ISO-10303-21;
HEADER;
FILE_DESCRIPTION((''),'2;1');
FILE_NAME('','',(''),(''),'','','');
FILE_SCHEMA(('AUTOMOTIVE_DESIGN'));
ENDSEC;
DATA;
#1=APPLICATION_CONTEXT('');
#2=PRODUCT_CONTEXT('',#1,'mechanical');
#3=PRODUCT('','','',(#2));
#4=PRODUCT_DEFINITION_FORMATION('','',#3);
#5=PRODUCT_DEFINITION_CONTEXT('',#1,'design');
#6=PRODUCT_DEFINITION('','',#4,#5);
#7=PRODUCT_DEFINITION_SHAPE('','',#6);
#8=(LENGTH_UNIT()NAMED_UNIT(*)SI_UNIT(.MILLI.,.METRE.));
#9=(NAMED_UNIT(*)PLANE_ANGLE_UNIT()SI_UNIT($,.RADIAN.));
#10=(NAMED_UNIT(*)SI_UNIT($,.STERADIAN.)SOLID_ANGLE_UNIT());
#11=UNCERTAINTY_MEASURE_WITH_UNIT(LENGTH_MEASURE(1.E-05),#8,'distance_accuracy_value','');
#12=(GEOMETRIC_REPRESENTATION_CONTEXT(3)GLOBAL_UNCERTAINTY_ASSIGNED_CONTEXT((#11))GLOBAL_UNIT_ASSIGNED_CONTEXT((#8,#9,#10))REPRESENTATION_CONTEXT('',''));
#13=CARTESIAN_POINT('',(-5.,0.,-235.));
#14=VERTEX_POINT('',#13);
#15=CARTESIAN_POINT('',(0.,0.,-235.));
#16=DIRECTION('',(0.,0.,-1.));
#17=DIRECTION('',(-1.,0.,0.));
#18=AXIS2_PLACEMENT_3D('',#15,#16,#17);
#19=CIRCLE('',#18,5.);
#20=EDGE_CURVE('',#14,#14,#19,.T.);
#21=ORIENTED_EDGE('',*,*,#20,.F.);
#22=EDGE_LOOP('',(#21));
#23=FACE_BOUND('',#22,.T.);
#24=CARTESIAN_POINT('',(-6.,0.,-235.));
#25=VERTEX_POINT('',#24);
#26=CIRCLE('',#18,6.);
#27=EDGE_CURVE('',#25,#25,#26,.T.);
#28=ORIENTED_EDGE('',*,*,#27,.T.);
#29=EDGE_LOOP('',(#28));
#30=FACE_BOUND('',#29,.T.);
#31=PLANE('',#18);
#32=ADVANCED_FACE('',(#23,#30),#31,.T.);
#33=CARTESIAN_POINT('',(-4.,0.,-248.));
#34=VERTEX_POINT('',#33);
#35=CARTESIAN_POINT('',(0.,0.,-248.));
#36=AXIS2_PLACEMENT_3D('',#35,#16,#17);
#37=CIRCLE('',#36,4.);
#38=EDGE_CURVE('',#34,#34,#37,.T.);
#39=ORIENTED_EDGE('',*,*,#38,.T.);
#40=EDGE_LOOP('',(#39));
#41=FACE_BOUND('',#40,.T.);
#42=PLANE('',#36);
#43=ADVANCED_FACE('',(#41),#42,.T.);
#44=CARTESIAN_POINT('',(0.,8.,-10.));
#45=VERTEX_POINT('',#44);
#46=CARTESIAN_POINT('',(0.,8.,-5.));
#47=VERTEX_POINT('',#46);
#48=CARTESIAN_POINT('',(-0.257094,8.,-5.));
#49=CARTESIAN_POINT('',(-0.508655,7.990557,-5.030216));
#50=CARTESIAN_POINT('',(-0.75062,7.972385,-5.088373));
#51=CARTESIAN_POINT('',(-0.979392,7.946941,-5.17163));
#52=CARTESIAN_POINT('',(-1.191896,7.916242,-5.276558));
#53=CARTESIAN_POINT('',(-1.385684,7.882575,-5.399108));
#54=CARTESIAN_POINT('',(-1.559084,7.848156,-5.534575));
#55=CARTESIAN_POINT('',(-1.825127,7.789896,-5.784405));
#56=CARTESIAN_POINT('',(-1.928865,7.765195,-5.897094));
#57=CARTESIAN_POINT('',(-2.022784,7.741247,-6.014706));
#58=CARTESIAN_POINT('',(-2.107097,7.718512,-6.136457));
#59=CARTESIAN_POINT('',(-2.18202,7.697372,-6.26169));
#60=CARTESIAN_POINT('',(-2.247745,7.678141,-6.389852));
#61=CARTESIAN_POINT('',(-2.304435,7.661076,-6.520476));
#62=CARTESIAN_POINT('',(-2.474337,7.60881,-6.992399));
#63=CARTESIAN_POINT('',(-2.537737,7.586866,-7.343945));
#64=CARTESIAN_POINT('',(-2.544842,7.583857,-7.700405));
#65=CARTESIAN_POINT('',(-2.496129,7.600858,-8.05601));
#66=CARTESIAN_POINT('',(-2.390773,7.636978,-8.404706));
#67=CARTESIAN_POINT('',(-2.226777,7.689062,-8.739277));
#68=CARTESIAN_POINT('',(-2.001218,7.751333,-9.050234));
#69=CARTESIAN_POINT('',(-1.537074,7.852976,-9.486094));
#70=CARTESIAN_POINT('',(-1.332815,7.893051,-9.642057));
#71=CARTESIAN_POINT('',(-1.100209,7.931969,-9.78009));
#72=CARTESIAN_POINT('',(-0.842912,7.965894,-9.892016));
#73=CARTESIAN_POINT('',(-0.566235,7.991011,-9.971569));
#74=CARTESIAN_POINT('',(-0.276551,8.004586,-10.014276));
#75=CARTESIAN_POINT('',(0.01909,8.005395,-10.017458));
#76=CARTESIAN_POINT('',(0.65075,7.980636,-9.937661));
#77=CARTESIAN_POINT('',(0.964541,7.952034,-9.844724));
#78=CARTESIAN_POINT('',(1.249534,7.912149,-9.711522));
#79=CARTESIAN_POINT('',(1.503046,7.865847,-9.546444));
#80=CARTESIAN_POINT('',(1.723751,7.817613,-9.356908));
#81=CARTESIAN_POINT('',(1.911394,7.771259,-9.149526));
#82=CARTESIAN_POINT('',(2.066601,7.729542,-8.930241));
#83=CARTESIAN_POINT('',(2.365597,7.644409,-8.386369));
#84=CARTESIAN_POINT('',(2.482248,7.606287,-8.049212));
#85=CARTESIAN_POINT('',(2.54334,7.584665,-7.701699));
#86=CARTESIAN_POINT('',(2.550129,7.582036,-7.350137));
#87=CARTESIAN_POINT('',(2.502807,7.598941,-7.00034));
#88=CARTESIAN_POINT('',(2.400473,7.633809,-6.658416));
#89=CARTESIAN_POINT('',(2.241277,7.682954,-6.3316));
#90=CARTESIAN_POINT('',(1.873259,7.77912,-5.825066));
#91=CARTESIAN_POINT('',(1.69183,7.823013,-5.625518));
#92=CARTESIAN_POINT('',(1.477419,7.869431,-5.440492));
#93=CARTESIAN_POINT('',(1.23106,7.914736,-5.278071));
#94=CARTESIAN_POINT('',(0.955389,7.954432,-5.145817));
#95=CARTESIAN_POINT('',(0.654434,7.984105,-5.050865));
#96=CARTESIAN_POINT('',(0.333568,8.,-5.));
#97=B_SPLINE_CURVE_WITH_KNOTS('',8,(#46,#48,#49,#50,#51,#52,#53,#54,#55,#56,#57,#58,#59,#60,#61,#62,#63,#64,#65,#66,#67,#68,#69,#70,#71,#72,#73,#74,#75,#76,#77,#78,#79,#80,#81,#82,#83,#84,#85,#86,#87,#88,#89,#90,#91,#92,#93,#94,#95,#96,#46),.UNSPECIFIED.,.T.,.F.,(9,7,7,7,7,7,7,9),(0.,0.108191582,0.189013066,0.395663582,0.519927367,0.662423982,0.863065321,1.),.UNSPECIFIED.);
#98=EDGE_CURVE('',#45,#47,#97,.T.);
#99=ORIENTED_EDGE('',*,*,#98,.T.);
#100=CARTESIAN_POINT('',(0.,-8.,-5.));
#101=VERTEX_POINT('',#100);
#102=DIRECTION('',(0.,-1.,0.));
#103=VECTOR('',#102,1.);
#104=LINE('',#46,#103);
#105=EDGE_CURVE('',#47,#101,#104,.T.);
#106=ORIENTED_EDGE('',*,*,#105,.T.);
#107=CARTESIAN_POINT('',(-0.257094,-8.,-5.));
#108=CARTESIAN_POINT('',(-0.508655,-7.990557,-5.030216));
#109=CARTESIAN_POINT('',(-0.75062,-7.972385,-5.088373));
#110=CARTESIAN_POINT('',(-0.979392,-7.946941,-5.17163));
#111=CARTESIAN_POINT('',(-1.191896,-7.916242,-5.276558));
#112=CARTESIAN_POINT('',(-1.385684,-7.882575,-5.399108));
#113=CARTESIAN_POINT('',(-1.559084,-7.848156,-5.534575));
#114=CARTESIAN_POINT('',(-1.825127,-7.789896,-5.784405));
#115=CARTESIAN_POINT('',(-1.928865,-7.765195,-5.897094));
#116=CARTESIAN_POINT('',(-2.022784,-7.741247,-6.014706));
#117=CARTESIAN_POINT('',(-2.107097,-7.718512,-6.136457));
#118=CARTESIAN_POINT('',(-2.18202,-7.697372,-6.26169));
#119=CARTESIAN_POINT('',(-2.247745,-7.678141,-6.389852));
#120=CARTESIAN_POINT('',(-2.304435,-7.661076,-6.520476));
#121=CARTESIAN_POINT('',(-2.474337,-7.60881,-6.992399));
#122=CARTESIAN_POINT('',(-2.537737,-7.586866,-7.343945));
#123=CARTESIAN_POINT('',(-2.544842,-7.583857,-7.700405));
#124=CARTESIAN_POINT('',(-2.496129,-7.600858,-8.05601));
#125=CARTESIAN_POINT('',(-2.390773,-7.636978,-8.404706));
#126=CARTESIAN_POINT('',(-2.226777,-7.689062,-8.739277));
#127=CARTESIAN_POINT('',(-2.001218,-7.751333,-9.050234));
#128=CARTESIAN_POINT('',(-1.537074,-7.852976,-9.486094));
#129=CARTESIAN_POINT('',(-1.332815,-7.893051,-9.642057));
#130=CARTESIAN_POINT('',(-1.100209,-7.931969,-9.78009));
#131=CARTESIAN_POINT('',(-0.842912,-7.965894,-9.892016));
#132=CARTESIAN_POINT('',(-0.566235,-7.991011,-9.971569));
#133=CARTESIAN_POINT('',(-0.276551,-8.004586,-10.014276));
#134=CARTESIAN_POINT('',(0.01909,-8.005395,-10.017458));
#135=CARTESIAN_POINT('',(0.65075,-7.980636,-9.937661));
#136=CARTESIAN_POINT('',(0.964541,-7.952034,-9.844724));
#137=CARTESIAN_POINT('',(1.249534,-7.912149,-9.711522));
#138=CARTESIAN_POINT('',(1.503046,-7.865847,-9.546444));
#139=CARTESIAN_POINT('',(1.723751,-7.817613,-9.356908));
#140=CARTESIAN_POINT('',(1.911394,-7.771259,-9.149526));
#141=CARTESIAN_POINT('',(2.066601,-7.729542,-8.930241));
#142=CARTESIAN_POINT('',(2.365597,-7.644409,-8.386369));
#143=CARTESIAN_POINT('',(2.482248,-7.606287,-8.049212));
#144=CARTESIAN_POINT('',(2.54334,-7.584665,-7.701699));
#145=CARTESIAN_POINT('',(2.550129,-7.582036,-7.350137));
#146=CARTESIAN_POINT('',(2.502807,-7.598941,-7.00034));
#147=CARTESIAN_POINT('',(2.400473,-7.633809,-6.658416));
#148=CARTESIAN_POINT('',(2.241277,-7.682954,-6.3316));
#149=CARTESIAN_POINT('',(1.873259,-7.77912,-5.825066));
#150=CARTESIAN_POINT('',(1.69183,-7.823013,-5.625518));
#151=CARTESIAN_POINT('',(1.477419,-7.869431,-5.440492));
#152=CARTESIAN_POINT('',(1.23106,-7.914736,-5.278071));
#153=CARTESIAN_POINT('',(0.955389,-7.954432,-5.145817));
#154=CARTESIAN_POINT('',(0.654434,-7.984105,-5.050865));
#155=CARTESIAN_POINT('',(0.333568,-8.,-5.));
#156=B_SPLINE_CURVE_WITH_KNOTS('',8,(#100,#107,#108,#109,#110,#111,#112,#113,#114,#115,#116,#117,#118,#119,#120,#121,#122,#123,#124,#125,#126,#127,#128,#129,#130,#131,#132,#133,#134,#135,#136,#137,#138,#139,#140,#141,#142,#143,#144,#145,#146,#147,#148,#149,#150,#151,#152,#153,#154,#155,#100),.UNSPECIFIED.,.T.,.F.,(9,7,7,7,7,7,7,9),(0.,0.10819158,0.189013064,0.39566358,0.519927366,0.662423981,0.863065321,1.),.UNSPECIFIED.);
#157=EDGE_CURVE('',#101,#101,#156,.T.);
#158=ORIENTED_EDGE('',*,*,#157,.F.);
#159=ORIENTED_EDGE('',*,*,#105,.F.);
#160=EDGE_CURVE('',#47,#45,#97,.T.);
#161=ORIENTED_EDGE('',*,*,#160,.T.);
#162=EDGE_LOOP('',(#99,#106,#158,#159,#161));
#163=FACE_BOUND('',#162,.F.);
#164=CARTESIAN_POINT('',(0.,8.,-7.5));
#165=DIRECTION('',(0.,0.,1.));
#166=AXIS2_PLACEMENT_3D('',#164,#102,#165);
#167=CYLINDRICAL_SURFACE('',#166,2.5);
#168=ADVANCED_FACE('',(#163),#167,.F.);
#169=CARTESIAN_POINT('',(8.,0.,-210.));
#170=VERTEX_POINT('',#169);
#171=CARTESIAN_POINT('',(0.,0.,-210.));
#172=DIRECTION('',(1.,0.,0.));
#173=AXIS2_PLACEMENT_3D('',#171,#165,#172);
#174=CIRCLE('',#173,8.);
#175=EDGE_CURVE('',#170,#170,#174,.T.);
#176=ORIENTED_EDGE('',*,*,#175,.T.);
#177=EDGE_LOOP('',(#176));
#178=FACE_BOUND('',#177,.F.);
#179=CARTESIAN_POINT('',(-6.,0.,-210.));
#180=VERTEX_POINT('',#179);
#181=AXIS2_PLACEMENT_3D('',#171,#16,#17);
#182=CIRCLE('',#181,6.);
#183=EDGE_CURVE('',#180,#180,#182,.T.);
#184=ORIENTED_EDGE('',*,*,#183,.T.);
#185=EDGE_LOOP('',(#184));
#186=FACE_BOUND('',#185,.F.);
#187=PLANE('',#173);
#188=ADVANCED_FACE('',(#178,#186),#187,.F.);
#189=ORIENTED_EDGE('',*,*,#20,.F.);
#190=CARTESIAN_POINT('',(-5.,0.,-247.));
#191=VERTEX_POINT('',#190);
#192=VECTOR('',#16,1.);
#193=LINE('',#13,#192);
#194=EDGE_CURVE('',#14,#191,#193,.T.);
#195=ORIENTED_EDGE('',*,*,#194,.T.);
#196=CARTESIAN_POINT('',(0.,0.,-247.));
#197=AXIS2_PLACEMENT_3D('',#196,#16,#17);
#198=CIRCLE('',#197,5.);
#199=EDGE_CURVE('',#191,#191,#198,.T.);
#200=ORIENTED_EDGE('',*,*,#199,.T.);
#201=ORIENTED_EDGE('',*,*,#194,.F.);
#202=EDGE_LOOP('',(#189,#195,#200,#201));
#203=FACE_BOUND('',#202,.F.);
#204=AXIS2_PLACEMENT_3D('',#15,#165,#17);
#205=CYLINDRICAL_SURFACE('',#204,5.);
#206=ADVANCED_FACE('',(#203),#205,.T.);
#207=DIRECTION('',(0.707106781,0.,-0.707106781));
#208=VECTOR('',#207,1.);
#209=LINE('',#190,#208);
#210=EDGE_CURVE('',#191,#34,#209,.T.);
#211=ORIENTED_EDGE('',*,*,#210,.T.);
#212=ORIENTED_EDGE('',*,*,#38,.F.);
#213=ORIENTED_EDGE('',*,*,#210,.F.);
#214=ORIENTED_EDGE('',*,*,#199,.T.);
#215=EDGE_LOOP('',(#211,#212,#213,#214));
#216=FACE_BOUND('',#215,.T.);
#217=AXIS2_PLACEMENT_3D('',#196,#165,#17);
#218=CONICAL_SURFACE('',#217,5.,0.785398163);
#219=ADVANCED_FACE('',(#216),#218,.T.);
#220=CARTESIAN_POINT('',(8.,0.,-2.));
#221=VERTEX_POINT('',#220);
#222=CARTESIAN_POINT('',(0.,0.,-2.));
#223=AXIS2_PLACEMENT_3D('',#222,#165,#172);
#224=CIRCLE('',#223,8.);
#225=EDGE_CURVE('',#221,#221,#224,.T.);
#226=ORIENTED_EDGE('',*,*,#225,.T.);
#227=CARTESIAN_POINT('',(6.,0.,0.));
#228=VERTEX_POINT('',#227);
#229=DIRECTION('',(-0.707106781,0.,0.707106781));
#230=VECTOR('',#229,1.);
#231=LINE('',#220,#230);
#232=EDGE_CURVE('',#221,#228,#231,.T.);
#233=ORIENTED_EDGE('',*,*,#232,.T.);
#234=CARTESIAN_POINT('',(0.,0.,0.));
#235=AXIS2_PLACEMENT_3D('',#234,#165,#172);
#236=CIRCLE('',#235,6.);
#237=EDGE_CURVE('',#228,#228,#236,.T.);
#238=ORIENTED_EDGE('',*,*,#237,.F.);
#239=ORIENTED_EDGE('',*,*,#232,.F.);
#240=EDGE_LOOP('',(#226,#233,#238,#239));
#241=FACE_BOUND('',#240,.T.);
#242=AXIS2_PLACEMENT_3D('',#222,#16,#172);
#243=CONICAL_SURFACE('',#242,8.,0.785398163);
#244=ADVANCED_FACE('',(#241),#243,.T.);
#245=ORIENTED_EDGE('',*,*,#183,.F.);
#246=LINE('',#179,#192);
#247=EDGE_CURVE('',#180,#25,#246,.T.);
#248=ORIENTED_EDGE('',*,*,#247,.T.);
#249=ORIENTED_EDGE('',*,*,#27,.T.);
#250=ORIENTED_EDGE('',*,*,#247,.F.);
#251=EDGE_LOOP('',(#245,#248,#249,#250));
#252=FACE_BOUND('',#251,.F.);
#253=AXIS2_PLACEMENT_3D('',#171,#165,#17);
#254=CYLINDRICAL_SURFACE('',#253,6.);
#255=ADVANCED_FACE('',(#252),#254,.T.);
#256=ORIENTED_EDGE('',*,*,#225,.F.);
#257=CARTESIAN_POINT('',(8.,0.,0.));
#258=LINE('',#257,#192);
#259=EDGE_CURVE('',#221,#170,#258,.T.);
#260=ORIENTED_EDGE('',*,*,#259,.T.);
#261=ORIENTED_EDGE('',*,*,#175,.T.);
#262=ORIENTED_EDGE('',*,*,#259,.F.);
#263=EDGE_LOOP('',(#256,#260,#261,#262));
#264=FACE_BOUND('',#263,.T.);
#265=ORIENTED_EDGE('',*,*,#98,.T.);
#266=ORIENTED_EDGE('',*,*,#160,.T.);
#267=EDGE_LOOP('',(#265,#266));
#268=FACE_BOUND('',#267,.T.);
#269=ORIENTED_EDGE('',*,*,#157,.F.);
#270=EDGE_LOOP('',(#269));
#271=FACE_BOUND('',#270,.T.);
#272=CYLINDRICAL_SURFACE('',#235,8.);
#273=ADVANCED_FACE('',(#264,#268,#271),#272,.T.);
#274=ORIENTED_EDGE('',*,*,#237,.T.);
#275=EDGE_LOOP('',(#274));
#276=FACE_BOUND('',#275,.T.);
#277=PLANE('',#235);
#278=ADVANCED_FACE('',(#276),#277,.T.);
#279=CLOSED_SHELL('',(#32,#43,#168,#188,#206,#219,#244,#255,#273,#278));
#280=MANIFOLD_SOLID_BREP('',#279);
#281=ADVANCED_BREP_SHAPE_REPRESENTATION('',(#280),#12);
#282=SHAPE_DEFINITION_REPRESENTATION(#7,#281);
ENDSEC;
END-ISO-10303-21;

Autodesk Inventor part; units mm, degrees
ref_plane "YZ Plane" through (0, 0, 0) normal (1, 0, 0) x (0, 1, 0)
ref_plane "XZ Plane" through (0, 0, 0) normal (0, 1, 0) x (-1, 0, 0)
ref_plane "XY Plane" through (0, 0, 0) normal (0, 0, 1) x (1, 0, 0)
sketch "Szkic1" plane through (0, 0, 0) normal (0, 0, 1) x (1, 0, 0)
  circle A0 centre (0, 0) radius 8
  dimension "d0" = 16
extrude "Wyciągnięcie proste1" add sketch "Szkic1" against normal blind 210
sketch "Szkic2" plane through (0, 0, 0) normal (0, 0, 1) x (1, 0, 0)
  line L0 (0, 0) -> (0, 8)
  circle A0 centre (0, 0) radius 8 projected
  circle A1 centre (0, 0) radius 8 projected
  circle A2 centre (0, 0) radius 8 projected
sketch3d "Szkic 3D1"
sketch "Szkic3" plane through (0, 0, 0) normal (0, 0, 1) x (1, 0, 0)
  circle A0 centre (0, 0) radius 8
  circle A1 centre (0, 0) radius 8
  point P0 (0, 8)
sketch3d "Szkic 3D2"
sketch "Szkic4" plane through (0, 0, 0) normal (0, 0, 1) x (1, 0, 0)
  circle A0 centre (0, 0) radius 8 projected
  circle A1 centre (0, 0) radius 8 projected
  point P0 (0, 8)
hole "Otwór1" at (0, 8, -7.5) direction (0, -1, 0) diameter 5 end through all
chamfer "Faza2" distance 2 angle 45 1 edges at (-8, 0, 0)
sketch "Szkic6" plane through (0, 0, -210) normal (0, 0, -1) x (-1, 0, 0)
  point P0 (0, 0)
sketch "Szkic7" plane through (0, 0, -210) normal (0, 0, -1) x (-1, 0, 0)
  circle A0 centre (0, 0) radius 6
extrude "Wyciągnięcie proste2" add sketch "Szkic7" along normal blind 25
sketch "Szkic8" plane through (0, 0, -235) normal (0, 0, -1) x (-1, 0, 0)
  circle A0 centre (0, 0) radius 5
extrude "Wyciągnięcie proste3" add sketch "Szkic8" along normal blind 13
chamfer "Faza3" distance 1 angle 45 1 edges at (5, 0, -248)
